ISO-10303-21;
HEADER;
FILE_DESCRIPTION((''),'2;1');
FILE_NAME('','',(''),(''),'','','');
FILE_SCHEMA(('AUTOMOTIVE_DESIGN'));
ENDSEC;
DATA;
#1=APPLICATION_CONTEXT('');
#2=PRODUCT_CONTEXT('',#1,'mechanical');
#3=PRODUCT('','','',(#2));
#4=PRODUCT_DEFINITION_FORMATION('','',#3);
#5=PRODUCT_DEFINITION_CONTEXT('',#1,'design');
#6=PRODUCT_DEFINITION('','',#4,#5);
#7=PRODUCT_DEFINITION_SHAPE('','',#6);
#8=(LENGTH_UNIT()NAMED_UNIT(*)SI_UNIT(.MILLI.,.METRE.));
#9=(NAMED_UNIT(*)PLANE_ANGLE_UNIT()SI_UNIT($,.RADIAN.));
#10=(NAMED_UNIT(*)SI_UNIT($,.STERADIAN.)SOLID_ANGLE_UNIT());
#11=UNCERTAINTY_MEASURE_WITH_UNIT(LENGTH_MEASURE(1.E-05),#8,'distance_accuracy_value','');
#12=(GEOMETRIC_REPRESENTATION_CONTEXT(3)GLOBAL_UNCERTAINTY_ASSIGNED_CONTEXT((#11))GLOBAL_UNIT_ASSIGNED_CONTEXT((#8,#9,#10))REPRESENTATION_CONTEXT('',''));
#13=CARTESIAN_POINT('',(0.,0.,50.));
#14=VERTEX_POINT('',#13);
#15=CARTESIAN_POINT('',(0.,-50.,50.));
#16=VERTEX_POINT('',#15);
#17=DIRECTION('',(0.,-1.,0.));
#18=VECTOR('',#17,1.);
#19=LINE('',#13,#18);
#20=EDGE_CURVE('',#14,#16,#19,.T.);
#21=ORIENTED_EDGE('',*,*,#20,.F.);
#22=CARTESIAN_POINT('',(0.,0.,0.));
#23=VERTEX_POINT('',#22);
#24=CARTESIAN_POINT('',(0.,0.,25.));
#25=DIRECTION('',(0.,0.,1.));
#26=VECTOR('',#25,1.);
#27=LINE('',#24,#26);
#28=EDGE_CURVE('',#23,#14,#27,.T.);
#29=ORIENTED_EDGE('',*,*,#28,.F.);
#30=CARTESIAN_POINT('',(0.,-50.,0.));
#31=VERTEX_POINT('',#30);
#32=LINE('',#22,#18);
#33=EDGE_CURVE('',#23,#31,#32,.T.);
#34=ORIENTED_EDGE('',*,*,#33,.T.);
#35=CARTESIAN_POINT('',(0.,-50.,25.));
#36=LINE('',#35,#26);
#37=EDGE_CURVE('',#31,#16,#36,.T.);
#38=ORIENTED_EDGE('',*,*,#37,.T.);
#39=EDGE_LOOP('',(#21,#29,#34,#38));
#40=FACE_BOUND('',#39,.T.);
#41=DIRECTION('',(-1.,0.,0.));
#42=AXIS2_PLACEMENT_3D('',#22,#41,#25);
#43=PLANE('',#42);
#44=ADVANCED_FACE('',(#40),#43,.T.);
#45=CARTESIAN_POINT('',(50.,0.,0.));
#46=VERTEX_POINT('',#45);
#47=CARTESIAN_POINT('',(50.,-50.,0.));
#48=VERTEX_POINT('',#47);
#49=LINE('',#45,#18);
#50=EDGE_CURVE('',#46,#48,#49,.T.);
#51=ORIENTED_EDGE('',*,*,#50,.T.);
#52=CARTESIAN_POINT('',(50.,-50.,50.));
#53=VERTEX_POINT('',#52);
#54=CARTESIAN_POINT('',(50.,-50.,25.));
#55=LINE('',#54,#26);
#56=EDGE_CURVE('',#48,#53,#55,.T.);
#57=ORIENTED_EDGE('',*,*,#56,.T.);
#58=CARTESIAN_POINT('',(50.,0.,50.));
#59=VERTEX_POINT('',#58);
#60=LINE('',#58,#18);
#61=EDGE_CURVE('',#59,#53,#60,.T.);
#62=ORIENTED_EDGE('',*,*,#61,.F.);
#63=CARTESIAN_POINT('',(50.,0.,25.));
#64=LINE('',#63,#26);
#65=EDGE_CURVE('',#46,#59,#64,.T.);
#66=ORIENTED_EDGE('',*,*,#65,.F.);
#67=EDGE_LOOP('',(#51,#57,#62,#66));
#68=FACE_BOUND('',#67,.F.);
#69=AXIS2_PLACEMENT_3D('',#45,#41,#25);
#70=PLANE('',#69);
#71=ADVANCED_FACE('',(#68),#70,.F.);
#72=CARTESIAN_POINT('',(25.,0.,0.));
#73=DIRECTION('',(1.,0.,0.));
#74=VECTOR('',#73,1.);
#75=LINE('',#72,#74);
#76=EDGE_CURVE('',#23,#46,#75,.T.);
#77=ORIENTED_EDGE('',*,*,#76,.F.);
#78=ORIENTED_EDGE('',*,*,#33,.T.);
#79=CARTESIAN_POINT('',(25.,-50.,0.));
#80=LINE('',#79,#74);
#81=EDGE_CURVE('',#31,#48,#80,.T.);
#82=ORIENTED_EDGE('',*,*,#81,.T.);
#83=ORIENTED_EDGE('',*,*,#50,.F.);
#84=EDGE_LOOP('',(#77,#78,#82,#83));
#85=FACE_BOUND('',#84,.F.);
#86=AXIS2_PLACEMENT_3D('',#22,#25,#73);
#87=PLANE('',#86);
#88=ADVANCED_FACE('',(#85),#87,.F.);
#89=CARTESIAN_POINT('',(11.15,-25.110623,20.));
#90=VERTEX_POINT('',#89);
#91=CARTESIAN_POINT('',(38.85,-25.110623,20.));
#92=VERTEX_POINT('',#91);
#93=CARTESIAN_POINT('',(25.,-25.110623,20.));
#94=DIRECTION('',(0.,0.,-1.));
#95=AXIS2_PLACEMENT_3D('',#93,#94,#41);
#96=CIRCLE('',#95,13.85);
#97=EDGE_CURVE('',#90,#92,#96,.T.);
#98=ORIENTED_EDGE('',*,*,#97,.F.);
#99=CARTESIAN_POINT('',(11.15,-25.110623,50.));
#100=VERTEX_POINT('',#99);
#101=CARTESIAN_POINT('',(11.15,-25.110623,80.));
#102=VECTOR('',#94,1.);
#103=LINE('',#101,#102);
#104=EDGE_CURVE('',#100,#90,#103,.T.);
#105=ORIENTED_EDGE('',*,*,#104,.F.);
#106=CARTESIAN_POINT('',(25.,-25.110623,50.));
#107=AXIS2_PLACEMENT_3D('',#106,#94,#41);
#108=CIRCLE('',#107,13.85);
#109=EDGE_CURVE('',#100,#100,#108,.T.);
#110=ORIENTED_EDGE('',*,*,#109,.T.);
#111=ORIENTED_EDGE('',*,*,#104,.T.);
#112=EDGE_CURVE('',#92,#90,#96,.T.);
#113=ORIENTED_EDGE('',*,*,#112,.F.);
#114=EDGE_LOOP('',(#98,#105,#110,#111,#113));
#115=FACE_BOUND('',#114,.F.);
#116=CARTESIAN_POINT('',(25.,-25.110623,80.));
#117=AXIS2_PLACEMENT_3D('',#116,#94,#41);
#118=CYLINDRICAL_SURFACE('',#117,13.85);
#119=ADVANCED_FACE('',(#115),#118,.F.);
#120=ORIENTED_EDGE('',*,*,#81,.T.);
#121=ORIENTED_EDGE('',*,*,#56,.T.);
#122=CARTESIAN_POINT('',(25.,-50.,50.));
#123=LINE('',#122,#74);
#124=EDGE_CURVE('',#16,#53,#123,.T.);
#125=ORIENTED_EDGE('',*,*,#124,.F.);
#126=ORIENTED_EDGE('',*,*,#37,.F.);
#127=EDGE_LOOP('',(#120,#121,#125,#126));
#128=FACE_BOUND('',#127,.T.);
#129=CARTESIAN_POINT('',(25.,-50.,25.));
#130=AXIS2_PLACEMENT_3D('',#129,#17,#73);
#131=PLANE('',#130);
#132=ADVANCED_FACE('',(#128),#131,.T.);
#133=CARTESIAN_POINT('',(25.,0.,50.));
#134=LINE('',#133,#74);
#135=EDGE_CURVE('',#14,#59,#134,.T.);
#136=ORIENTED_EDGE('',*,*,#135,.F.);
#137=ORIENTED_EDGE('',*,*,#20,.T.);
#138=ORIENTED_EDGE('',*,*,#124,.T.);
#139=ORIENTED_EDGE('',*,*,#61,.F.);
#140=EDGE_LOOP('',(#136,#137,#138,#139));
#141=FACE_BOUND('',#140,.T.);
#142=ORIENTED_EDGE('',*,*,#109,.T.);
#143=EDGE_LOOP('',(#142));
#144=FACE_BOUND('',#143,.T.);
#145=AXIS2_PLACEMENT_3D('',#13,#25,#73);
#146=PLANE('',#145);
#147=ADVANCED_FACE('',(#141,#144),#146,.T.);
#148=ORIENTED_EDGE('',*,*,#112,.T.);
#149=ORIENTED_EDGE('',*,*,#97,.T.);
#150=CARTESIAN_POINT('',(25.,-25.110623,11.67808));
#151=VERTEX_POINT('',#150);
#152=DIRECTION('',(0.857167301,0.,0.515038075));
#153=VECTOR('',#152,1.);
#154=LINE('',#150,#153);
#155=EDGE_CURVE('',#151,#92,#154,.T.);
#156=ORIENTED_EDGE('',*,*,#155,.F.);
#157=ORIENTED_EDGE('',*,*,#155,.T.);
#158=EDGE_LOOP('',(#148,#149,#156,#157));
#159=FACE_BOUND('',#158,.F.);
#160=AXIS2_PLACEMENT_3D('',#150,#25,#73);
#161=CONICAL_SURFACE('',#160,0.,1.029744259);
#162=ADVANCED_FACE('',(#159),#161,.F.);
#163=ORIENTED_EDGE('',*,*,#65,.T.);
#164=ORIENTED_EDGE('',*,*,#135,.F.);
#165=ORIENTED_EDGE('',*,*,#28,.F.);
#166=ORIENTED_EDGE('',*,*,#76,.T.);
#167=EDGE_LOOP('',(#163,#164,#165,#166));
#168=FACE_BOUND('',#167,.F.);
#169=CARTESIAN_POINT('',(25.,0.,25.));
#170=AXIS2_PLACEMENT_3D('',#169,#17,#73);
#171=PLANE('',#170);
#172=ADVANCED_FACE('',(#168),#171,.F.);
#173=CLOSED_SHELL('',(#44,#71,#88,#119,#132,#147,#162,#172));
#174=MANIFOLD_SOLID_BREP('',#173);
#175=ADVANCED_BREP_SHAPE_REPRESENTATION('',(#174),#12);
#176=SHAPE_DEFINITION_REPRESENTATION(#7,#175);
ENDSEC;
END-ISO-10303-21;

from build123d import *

# Parameters (mm, degrees)
F1_W     = 50
F1_H     = 50
F2_DEPTH = 50
F4_D     = 27.7
F4_DEPTH = 30
F4_TIP   = 8.3219195735


with BuildPart() as f2:
    # F1 (on face) → F2 (new body)
    with BuildSketch(Plane.XZ):
        with Locations((25, 25)):
            Rectangle(F1_W, F1_H)
    extrude(amount=F2_DEPTH)

    # F4
    with Locations(Plane.XY.offset(50)):
        with Locations((25, -25.1106228679)):
            Hole(F4_D / 2, depth=F4_DEPTH)
            with Locations((0, 0, -(F4_DEPTH + F4_TIP / 2))):  # 118° drill point
                Cone(0, F4_D / 2, F4_TIP, mode=Mode.SUBTRACT)


solid = f2.part
